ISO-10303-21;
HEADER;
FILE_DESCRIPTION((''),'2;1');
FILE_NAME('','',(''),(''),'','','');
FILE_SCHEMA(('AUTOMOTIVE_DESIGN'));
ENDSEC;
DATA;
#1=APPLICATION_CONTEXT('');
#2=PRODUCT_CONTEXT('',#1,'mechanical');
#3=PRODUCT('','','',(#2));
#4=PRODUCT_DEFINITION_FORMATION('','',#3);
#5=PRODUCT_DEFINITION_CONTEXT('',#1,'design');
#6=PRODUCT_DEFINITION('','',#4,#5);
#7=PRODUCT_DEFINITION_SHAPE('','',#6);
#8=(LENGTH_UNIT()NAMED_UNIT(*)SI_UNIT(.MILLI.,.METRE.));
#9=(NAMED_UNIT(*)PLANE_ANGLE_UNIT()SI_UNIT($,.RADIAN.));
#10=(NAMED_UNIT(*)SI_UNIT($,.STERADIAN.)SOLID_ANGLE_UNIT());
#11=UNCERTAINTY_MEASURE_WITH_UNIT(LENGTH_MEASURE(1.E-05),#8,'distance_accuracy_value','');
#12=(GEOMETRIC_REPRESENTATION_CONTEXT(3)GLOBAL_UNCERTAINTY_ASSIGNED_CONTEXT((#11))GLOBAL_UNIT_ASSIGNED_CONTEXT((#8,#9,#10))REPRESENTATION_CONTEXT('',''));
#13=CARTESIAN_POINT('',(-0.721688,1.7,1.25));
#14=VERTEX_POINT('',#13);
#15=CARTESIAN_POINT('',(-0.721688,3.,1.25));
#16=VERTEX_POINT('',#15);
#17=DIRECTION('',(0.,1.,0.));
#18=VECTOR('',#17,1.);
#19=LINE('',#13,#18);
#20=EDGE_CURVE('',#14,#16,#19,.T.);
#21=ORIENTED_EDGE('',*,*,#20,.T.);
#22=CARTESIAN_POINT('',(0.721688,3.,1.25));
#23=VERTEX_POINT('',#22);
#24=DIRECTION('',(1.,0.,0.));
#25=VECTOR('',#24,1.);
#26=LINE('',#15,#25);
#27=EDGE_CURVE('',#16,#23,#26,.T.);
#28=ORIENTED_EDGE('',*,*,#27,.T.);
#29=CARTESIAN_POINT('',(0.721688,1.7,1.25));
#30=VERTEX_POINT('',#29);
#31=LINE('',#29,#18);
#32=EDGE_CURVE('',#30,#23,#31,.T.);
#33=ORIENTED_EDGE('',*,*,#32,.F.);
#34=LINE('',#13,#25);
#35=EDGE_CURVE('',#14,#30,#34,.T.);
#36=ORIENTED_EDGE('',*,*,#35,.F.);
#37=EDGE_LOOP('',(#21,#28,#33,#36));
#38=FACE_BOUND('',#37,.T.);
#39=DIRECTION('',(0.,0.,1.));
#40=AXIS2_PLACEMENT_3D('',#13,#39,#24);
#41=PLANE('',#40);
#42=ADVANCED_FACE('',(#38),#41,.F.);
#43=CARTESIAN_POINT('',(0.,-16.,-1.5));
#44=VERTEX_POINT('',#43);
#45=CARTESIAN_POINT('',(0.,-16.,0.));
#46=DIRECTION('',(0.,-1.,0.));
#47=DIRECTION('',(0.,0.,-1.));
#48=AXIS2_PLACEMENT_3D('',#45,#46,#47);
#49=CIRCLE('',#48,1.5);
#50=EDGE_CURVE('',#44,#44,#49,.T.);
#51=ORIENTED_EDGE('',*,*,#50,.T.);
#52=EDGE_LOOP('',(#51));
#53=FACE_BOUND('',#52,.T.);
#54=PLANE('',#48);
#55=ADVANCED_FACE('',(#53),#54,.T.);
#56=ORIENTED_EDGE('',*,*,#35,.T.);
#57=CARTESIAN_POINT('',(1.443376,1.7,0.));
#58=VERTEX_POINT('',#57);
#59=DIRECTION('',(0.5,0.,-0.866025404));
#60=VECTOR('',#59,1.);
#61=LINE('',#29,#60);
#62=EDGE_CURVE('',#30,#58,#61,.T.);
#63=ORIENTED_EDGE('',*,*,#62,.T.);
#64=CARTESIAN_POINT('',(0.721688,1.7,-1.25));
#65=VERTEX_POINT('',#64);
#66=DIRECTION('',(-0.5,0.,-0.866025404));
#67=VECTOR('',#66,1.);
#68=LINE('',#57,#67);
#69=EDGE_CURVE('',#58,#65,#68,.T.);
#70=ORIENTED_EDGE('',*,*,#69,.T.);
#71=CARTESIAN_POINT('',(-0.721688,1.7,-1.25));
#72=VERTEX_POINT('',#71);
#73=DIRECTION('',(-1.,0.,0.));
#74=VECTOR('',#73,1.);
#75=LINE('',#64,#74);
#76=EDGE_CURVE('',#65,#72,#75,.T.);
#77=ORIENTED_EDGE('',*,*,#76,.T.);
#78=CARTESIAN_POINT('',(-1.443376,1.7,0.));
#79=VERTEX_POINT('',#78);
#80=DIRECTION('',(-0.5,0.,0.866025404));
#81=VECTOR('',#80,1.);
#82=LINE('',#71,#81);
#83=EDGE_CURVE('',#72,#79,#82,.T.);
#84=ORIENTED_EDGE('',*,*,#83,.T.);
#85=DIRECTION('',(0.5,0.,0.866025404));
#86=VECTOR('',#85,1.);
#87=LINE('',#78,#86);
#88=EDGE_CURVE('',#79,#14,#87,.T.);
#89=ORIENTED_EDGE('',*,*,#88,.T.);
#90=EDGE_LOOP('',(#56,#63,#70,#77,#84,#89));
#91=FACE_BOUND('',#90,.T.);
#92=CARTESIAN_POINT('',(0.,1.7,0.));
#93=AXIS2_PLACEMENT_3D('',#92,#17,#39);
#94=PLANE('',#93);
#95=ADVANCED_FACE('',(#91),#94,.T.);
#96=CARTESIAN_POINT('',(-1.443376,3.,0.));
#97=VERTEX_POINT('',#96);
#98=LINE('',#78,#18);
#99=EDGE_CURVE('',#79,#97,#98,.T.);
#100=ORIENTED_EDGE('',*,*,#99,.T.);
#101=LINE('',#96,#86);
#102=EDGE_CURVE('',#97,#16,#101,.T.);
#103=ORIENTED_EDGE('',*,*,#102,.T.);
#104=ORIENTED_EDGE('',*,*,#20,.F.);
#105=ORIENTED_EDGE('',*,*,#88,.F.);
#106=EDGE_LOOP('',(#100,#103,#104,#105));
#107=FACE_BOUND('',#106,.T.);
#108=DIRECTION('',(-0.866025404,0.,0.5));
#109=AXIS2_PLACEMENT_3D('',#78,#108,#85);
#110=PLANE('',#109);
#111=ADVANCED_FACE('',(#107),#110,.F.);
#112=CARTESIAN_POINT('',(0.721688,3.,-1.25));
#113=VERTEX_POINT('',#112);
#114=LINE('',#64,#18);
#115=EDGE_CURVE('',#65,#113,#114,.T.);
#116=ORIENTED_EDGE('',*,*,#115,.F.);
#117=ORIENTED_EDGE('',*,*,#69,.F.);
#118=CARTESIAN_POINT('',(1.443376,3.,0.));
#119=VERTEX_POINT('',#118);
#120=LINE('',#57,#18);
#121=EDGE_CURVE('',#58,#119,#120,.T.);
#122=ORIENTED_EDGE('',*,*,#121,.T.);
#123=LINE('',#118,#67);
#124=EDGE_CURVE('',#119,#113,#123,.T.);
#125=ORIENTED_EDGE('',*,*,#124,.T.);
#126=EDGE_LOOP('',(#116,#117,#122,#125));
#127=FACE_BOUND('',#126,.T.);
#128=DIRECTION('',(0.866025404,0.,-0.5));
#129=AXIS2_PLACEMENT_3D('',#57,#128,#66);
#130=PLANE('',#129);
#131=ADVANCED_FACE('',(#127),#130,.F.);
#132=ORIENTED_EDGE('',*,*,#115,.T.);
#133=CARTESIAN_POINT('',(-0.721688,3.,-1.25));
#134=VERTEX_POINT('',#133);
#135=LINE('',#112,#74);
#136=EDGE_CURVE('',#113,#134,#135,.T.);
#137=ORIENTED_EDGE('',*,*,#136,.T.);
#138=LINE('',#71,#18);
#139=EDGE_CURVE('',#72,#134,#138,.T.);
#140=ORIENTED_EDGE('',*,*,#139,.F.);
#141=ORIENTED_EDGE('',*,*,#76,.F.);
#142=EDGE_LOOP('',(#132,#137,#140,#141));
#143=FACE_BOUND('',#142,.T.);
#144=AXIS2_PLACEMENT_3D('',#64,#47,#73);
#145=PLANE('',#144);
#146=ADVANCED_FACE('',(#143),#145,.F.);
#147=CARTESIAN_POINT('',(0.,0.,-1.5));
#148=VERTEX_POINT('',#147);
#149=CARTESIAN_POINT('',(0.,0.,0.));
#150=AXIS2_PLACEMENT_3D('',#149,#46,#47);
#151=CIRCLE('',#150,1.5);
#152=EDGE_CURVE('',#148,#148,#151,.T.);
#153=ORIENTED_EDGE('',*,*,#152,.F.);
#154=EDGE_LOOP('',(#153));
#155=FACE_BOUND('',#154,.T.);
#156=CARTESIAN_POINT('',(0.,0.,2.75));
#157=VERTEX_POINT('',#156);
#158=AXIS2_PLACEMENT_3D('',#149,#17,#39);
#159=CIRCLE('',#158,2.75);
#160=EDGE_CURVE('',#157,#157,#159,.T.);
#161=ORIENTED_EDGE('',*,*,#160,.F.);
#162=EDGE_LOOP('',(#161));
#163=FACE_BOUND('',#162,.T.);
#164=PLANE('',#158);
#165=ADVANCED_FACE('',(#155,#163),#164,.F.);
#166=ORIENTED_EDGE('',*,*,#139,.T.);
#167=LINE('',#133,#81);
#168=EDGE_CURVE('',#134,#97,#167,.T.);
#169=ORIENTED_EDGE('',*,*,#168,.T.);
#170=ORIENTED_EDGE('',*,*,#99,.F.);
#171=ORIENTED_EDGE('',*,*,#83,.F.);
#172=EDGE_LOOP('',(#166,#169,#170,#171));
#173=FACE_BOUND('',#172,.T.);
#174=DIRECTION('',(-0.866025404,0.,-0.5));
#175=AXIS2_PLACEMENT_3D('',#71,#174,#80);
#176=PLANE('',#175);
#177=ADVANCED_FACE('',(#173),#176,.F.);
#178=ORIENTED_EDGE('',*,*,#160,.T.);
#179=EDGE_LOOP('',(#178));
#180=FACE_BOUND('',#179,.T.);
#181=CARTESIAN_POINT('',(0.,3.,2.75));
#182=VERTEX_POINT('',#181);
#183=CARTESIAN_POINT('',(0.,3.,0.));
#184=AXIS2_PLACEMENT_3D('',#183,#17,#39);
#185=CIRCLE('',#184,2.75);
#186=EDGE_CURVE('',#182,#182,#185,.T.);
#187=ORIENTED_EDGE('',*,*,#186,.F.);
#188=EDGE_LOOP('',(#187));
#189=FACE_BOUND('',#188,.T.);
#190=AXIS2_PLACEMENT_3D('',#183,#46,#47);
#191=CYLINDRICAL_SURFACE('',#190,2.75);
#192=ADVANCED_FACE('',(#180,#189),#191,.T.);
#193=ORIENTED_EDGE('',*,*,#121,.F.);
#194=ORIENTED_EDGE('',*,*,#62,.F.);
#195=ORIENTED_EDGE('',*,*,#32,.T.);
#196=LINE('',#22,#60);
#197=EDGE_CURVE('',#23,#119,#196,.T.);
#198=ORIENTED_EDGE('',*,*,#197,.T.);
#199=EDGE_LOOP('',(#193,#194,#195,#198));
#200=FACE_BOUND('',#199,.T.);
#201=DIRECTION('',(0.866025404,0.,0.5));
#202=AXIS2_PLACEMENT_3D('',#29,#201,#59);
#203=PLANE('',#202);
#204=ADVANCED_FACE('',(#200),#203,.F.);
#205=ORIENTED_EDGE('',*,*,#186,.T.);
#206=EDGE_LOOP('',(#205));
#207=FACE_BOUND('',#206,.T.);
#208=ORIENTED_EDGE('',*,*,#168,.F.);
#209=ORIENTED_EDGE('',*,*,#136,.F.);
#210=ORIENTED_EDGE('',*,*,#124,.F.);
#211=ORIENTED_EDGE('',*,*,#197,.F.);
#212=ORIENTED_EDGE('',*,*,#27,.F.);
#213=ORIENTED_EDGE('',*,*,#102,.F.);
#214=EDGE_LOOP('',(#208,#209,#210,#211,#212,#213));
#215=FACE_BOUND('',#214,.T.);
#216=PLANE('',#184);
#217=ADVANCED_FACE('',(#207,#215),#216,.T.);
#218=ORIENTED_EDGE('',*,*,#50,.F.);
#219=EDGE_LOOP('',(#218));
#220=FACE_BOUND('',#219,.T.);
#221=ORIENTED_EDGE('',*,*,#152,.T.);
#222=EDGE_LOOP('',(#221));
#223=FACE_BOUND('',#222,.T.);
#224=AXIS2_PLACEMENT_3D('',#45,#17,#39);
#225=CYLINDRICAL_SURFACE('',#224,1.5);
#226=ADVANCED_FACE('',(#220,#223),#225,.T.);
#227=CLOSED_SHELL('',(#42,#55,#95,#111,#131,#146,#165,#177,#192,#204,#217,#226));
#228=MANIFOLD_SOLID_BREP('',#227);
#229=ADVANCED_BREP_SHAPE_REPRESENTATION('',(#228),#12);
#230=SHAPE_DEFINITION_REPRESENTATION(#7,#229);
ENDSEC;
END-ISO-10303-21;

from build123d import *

# Parameters (mm, degrees)
SKETCH_1_R            = 2.75
EXTRUDE_248_DEPTH     = 3
CUT_EXTRUDE_378_DEPTH = 1.3
SKETCH_3_R            = 1.5
EXTRUDE_479_DEPTH     = 16


with BuildPart() as part:
    # 草图1 → Extrude 248 (new body)
    with BuildSketch(Plane(origin=(0, 0, 0), x_dir=(1, 0, 0), z_dir=(0, 1, 0))):
        Circle(SKETCH_1_R)
    extrude(amount=EXTRUDE_248_DEPTH)

    # 草图2 → Cut-Extrude 378 (cut)
    with BuildSketch(Plane(origin=(0, 3, 0), x_dir=(1, 0, 0), z_dir=(0, 1, 0))):
        Polygon((1.443375673, 0), (0.721687836, 1.25), (-0.721687836, 1.25), (-1.443375673, 0), (-0.721687836, -1.25), (0.721687836, -1.25), align=None)
    extrude(amount=-CUT_EXTRUDE_378_DEPTH, mode=Mode.SUBTRACT)

    # 草图3 → Extrude 479 (add)
    with BuildSketch(Plane.XZ):
        Circle(SKETCH_3_R)
    extrude(amount=EXTRUDE_479_DEPTH)


solid = part.part
